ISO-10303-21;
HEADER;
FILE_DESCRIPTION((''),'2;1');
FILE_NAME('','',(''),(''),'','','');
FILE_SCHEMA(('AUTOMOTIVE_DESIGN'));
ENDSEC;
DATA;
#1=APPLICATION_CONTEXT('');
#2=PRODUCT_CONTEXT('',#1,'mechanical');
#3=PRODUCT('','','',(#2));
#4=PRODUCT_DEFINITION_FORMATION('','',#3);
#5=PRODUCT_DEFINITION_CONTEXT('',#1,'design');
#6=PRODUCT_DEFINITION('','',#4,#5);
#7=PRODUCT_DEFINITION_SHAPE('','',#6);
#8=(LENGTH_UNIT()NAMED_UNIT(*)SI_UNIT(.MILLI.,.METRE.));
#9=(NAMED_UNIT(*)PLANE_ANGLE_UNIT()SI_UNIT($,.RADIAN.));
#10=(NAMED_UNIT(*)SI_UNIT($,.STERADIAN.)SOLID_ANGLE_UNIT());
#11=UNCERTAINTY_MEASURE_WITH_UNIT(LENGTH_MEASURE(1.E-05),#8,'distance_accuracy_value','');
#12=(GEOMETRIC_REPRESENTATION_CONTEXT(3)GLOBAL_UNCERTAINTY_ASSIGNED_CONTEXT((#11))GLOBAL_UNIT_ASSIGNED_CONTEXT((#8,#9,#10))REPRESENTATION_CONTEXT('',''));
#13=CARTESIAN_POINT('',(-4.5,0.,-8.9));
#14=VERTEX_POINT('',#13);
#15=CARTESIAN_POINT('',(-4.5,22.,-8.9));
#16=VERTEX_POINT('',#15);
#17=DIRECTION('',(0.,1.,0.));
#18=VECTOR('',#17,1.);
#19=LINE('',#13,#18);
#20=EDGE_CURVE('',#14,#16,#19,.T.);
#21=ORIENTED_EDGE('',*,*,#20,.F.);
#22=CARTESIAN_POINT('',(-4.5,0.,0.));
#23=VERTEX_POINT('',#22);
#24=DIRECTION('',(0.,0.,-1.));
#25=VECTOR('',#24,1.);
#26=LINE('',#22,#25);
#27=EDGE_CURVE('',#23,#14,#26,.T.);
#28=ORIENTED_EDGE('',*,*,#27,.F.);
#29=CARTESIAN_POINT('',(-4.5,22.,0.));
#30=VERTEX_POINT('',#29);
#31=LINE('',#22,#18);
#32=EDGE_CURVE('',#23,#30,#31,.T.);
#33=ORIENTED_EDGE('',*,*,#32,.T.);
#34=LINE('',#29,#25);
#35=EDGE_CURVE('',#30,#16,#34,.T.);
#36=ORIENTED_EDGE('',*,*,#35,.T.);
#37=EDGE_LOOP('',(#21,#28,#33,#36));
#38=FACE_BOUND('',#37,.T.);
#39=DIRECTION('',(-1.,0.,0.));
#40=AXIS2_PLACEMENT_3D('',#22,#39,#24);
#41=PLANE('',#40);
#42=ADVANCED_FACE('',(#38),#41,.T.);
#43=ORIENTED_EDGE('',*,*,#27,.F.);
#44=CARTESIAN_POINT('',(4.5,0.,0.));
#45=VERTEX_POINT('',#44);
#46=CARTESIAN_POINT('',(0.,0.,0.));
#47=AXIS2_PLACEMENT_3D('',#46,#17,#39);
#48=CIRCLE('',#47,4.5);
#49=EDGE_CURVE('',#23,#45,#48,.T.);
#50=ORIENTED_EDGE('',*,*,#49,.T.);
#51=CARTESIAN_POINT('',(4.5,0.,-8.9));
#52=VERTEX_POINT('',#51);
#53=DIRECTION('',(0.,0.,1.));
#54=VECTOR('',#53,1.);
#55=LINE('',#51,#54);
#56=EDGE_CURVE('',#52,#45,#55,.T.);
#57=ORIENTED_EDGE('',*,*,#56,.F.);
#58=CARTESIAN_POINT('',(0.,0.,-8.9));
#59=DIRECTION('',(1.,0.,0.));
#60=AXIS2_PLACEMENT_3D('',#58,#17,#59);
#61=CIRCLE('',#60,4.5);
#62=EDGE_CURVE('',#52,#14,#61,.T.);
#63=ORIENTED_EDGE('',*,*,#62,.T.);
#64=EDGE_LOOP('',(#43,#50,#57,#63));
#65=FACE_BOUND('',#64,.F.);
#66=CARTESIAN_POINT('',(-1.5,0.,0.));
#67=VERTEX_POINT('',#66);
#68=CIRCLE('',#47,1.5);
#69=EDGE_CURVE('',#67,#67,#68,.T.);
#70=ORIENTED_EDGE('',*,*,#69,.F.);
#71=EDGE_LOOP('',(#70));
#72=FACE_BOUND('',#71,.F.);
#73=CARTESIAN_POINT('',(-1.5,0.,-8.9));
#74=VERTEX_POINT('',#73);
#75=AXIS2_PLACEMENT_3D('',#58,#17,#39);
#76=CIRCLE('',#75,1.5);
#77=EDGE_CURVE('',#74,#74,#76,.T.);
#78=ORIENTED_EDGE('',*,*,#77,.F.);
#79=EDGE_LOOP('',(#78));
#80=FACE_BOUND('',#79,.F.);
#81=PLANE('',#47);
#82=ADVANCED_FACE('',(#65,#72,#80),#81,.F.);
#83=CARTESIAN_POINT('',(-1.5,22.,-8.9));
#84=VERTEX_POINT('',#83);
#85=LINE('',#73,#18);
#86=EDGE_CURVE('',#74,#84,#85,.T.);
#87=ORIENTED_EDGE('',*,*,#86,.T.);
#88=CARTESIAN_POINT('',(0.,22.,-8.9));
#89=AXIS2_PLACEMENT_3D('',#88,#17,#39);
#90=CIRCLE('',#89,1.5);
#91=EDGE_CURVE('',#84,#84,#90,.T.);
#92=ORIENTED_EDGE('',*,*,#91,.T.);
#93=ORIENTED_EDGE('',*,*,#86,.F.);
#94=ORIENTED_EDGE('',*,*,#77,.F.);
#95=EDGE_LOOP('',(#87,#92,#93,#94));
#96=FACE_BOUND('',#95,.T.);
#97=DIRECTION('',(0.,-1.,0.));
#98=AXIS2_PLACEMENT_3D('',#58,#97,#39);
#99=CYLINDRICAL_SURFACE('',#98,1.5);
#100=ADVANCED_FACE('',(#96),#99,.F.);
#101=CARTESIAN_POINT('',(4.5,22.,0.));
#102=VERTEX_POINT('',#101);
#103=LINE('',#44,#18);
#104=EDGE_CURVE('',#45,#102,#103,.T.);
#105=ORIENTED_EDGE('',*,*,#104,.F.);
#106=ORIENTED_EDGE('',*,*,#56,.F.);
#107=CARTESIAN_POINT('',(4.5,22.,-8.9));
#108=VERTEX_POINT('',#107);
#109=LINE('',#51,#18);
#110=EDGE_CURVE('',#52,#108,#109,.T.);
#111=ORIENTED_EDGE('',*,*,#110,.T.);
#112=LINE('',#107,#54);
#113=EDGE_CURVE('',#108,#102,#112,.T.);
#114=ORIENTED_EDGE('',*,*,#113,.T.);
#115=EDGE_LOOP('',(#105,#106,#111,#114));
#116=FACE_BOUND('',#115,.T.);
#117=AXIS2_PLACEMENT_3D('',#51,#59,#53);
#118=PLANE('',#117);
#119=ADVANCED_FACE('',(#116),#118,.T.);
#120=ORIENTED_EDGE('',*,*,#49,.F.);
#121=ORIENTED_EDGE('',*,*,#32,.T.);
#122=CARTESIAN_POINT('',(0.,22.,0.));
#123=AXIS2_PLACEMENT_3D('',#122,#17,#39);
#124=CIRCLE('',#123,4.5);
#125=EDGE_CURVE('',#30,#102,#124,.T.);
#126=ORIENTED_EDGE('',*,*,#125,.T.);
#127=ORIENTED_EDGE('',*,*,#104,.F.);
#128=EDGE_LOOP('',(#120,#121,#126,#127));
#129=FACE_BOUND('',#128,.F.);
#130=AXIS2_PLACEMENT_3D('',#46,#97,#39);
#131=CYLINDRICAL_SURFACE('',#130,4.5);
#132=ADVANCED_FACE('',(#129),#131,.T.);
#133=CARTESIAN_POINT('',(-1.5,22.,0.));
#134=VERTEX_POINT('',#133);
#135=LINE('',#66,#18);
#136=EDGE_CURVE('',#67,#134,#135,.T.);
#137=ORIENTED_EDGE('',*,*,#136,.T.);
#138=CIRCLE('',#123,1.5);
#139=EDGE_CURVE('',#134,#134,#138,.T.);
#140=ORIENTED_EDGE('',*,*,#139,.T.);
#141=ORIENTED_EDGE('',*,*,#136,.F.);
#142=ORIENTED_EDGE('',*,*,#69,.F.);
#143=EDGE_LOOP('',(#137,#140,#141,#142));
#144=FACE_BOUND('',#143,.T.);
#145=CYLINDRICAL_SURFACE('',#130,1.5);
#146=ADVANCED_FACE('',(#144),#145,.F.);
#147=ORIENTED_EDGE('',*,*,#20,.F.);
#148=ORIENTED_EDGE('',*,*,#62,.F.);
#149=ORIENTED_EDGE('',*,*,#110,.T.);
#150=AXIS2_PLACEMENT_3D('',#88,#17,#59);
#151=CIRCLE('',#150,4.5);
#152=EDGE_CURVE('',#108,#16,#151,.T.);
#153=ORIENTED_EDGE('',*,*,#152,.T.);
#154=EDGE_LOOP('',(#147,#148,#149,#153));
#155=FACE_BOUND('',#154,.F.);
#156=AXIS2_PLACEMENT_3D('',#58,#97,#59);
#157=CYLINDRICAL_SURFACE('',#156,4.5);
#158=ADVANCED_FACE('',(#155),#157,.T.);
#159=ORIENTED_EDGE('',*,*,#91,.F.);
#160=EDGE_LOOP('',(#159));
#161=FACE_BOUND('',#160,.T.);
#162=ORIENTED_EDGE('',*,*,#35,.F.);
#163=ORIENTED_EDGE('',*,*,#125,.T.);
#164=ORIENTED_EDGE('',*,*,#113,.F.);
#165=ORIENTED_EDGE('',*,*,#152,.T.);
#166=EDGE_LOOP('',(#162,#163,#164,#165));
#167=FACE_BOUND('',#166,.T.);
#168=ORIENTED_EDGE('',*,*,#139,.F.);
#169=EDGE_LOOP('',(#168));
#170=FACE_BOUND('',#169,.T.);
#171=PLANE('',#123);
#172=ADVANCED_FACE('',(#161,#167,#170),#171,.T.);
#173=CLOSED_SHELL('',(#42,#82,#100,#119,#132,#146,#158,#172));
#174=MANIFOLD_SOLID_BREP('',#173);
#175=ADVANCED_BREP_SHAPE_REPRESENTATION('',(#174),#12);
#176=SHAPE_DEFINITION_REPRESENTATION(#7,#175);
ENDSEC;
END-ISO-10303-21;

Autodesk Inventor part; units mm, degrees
ref_plane "YZ Plane" through (0, 0, 0) normal (1, 0, 0) x (0, 1, 0)
ref_plane "XZ Plane" through (0, 0, 0) normal (0, 1, 0) x (-1, 0, 0)
ref_plane "XY Plane" through (0, 0, 0) normal (0, 0, 1) x (1, 0, 0)
sketch "Sketch1" plane through (0, 0, 0) normal (0, 1, 0) x (-1, 0, 0)
  circle A0 centre (0, 0) radius 1.5
  line L0 (0, 0) -> (0, -8.9) construction
  circle A1 centre (0, -8.9) radius 1.5
  arc A2 (-0.669, -4.45) -> (0.669, -4.45) centre (0, 0) ccw construction
  arc A3 (-4.5, -8.9) -> (4.5, -8.9) centre (0, -8.9) ccw
  line L1 (4.5, 0) -> (4.5, -8.9)
  line L2 (-4.5, -8.9) -> (-4.5, 0)
  arc A4 (-4.5, 0) -> (-0.669, -4.45) centre (0, 0) ccw construction
  arc A5 (-0.669, -4.45) -> (-4.5, -8.9) centre (0, -8.9) ccw construction
  arc A6 (0.669, -4.45) -> (-0.669, -4.45) centre (0, -8.9) ccw construction
  arc A7 (0.669, -4.45) -> (4.5, 0) centre (0, 0) ccw construction
  arc A8 (4.5, 0) -> (-4.5, 0) centre (0, 0) ccw
  arc A9 (4.5, -8.9) -> (0.669, -4.45) centre (0, -8.9) ccw construction
  dimension "d0" = 3
  dimension "d1" = 8.9
  dimension "d2" = 3
  dimension "d3" = 9
  dimension "d4" = 9
extrude "Extrusion1" add sketch "Sketch1" along normal blind 22
properties part number "Reworked - PlateSpacers22mm"
